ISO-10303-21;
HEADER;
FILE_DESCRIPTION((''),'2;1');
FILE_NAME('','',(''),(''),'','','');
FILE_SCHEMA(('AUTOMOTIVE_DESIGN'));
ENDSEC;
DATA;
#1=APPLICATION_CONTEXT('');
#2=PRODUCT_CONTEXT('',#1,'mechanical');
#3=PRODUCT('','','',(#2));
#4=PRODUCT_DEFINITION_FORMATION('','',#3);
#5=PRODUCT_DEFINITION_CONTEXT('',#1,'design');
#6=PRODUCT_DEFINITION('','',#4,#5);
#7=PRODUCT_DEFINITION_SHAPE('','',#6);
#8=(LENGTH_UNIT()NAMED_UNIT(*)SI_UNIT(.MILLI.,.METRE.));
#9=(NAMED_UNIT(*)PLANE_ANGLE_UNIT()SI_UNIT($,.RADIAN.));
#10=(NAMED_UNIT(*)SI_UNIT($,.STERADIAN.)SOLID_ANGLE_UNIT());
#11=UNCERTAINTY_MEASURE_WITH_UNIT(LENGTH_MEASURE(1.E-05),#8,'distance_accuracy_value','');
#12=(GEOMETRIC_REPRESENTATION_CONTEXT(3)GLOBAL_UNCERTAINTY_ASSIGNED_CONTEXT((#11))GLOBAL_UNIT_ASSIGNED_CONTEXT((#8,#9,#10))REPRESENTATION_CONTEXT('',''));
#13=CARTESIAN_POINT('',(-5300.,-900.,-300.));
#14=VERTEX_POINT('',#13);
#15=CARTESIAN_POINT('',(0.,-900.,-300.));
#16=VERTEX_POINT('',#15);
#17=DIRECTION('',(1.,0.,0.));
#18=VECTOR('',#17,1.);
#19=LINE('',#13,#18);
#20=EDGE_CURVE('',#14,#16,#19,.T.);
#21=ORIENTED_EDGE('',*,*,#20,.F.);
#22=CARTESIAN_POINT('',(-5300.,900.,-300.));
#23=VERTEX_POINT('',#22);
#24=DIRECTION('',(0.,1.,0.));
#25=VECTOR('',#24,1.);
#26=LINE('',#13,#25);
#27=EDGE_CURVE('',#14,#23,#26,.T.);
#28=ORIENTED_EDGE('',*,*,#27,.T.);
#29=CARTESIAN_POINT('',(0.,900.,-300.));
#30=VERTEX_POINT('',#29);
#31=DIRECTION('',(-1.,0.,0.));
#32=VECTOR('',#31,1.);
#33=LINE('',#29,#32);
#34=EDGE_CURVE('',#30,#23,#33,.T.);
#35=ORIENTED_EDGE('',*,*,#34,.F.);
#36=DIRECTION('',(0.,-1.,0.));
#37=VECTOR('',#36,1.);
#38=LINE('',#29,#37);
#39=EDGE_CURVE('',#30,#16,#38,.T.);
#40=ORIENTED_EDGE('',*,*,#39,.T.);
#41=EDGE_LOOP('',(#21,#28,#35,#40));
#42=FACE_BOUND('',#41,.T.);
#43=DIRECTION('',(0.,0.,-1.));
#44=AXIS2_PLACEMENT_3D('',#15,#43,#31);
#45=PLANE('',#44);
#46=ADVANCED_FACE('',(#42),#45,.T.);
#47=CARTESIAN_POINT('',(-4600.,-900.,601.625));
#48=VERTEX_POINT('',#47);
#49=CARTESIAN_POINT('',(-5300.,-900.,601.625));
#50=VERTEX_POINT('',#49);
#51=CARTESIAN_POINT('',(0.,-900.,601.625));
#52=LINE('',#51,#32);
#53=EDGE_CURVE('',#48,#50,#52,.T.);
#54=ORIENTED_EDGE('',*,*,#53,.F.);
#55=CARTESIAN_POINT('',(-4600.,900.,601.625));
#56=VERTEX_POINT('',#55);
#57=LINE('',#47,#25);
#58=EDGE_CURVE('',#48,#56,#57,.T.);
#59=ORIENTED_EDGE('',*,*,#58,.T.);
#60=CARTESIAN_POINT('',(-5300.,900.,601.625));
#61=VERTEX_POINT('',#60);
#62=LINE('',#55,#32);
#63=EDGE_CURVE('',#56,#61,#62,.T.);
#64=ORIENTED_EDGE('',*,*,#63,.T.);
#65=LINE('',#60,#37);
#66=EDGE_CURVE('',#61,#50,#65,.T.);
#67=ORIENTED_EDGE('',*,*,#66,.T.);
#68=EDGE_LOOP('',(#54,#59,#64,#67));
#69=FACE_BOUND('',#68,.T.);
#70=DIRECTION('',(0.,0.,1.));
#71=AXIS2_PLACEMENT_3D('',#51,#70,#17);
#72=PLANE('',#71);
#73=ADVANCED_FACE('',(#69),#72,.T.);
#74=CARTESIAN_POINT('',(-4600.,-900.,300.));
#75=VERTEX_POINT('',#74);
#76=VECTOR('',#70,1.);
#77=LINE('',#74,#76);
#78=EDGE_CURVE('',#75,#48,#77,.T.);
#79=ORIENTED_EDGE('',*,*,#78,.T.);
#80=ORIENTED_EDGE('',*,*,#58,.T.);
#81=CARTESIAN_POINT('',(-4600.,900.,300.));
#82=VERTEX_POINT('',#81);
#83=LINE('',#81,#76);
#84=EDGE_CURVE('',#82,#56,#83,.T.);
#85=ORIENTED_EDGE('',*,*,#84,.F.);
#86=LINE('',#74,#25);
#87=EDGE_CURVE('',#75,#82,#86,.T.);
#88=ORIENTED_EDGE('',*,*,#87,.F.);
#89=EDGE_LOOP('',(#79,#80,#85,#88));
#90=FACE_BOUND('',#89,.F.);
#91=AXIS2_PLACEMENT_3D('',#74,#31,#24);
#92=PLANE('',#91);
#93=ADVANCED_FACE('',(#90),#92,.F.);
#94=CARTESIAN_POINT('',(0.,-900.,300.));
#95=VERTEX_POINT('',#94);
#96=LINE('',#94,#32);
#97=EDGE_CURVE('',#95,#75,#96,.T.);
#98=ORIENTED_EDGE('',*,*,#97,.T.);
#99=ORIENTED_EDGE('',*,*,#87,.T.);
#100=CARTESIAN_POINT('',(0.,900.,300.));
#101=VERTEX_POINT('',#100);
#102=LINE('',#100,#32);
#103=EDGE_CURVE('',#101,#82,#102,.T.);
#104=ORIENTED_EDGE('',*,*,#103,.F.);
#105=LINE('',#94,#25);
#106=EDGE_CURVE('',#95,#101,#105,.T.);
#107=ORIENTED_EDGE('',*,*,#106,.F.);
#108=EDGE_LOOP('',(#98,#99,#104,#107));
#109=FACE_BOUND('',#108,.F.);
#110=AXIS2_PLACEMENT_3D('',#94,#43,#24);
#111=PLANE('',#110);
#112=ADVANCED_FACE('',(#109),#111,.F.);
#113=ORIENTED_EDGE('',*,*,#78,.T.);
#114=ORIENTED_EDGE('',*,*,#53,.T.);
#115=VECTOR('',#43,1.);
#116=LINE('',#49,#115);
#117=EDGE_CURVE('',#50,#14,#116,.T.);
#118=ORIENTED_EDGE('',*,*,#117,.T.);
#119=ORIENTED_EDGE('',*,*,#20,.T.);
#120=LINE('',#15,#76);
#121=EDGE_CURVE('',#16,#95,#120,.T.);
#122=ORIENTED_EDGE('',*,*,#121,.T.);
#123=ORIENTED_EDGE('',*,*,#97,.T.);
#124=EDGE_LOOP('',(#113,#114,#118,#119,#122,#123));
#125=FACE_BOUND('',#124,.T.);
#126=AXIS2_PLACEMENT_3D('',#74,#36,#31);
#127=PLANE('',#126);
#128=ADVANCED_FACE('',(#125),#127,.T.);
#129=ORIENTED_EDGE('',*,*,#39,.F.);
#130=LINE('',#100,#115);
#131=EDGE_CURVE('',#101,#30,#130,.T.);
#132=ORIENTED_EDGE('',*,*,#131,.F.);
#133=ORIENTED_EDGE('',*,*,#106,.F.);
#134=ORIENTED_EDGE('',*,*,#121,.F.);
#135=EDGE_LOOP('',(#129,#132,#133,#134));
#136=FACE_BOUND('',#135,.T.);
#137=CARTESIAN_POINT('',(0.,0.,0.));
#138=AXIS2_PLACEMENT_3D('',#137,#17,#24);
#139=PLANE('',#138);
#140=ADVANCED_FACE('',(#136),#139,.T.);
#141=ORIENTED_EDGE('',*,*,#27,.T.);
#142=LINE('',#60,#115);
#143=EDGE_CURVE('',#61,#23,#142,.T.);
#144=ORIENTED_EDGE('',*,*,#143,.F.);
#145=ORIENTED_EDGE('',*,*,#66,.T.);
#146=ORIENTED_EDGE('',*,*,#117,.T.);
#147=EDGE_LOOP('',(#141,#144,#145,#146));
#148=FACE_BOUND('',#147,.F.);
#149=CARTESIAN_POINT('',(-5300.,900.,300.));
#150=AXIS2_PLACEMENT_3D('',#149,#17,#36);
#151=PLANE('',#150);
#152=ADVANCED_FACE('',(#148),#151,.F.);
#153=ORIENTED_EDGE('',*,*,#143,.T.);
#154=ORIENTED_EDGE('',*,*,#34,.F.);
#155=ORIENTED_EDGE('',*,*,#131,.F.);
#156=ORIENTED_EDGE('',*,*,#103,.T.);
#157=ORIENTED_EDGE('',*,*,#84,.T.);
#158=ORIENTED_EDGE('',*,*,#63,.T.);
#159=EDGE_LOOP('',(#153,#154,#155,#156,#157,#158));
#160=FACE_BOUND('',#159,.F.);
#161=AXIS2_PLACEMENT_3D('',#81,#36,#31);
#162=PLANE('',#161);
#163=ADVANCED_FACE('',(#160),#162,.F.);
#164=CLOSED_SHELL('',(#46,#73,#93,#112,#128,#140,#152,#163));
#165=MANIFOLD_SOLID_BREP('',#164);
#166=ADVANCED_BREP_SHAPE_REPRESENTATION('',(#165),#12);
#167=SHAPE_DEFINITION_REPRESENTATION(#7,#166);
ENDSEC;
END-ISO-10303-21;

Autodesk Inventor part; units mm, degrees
ref_plane "YZ Plane" through (0, 0, 0) normal (1, 0, 0) x (0, 1, 0)
ref_plane "XZ Plane" through (0, 0, 0) normal (0, 1, 0) x (-1, 0, 0)
ref_plane "XY Plane" through (0, 0, 0) normal (0, 0, 1) x (1, 0, 0)
sketch "Sketch1" plane through (0, 0, 0) normal (1, 0, 0) x (0, 1, 0)
  line L0 (-900, 300) -> (900, 300)
  line L1 (900, 300) -> (900, -300)
  line L2 (900, -300) -> (-900, -300)
  line L3 (-900, -300) -> (-900, 300)
  line L4 (-900, 300) -> (900, -300) construction
  line L5 (900, 300) -> (-900, -300) construction
  point P0 (0, 0)
  dimension "d0" = 1800
  dimension "d1" = 600
extrude "Extrusion1" add sketch "Sketch1" against normal blind 5300
sketch "Sketch2" plane through (0, -900, -300) normal (0, 0, -1) x (-1, 0, 0)
  line L0 (0, 1800) -> (5300, 1800) projected
  line L1 (5300, 1800) -> (4600, 1800)
  line L2 (4600, 1800) -> (4600, 0)
  line L3 (4600, 0) -> (5300, 0)
  line L4 (5300, 0) -> (5300, 1800)
  point P0 (0, 900)
  dimension "d4" = 700
extrude "Extrusion2" add sketch "Sketch2" along normal blind 301.625
sketch "Sketch3" plane through (0, -900, -601.625) normal (0, 0, -1) x (-1, 0, 0)
  line L0 (5300, 1800) -> (4600, 1800) projected
  line L1 (4600, 1800) -> (4600, 0) projected
  line L2 (4600, 0) -> (5300, 0) projected
  line L3 (5300, 0) -> (5300, 1800) projected
  point P0 (0, 900)
extrude "Extrusion3" cut sketch "Sketch3" against normal up to surface (301.625 mm away)
sketch "Sketch4" plane through (0, -900, 300) normal (0, 0, 1) x (1, 0, 0)
  line L0 (0, 0) -> (-5300, 0) projected
  line L1 (-5300, 0) -> (-4600, 0)
  line L2 (-4600, 0) -> (-4600, 1800)
  line L3 (-4600, 1800) -> (-5300, 1800)
  line L4 (-5300, 1800) -> (-5300, 0)
  point P0 (0, 900)
  point P1 (-4600, 0)
  dimension "d9" = 700
  dimension "d10" = 1800
extrude "Extrusion4" add sketch "Sketch4" along normal blind 301.625
sketch "Sketch6" plane through (-5300, 0, 0) normal (-1, 0, 0) x (0, 0, 1)
  line L0 (-300, -900) -> (-300, 900) construction
  line L1 (-300, 900) -> (0, 900) construction
  line L2 (300, 900) -> (300, -900) construction
  line L3 (-300, 900) -> (0, 900) construction
  line L4 (0, 900) -> (0, 1301.6) construction
  point P0 (0, 0)
  dimension "d14" = 300
  dimension "d15" = 0
  dimension "d16" = 401.6
  dimension "d17" = 90
equation "\"d0\" = serv_h"
equation "\"d1\" = serv_w"
equation "\"d2\" = serv_e"
equation "\"d14\" = 0.5 * serv_w"
equation "\"d16\" = tray_h + leg_e"
equation "\"serv_h\" = 1800"
equation "\"serv_w\" = 600"
equation "\"serv_e\" = 5300"
equation "\"tray_h\" = 101.6"
equation "\"leg_e\" = 300"
properties part number "ServerCabinetRight"
